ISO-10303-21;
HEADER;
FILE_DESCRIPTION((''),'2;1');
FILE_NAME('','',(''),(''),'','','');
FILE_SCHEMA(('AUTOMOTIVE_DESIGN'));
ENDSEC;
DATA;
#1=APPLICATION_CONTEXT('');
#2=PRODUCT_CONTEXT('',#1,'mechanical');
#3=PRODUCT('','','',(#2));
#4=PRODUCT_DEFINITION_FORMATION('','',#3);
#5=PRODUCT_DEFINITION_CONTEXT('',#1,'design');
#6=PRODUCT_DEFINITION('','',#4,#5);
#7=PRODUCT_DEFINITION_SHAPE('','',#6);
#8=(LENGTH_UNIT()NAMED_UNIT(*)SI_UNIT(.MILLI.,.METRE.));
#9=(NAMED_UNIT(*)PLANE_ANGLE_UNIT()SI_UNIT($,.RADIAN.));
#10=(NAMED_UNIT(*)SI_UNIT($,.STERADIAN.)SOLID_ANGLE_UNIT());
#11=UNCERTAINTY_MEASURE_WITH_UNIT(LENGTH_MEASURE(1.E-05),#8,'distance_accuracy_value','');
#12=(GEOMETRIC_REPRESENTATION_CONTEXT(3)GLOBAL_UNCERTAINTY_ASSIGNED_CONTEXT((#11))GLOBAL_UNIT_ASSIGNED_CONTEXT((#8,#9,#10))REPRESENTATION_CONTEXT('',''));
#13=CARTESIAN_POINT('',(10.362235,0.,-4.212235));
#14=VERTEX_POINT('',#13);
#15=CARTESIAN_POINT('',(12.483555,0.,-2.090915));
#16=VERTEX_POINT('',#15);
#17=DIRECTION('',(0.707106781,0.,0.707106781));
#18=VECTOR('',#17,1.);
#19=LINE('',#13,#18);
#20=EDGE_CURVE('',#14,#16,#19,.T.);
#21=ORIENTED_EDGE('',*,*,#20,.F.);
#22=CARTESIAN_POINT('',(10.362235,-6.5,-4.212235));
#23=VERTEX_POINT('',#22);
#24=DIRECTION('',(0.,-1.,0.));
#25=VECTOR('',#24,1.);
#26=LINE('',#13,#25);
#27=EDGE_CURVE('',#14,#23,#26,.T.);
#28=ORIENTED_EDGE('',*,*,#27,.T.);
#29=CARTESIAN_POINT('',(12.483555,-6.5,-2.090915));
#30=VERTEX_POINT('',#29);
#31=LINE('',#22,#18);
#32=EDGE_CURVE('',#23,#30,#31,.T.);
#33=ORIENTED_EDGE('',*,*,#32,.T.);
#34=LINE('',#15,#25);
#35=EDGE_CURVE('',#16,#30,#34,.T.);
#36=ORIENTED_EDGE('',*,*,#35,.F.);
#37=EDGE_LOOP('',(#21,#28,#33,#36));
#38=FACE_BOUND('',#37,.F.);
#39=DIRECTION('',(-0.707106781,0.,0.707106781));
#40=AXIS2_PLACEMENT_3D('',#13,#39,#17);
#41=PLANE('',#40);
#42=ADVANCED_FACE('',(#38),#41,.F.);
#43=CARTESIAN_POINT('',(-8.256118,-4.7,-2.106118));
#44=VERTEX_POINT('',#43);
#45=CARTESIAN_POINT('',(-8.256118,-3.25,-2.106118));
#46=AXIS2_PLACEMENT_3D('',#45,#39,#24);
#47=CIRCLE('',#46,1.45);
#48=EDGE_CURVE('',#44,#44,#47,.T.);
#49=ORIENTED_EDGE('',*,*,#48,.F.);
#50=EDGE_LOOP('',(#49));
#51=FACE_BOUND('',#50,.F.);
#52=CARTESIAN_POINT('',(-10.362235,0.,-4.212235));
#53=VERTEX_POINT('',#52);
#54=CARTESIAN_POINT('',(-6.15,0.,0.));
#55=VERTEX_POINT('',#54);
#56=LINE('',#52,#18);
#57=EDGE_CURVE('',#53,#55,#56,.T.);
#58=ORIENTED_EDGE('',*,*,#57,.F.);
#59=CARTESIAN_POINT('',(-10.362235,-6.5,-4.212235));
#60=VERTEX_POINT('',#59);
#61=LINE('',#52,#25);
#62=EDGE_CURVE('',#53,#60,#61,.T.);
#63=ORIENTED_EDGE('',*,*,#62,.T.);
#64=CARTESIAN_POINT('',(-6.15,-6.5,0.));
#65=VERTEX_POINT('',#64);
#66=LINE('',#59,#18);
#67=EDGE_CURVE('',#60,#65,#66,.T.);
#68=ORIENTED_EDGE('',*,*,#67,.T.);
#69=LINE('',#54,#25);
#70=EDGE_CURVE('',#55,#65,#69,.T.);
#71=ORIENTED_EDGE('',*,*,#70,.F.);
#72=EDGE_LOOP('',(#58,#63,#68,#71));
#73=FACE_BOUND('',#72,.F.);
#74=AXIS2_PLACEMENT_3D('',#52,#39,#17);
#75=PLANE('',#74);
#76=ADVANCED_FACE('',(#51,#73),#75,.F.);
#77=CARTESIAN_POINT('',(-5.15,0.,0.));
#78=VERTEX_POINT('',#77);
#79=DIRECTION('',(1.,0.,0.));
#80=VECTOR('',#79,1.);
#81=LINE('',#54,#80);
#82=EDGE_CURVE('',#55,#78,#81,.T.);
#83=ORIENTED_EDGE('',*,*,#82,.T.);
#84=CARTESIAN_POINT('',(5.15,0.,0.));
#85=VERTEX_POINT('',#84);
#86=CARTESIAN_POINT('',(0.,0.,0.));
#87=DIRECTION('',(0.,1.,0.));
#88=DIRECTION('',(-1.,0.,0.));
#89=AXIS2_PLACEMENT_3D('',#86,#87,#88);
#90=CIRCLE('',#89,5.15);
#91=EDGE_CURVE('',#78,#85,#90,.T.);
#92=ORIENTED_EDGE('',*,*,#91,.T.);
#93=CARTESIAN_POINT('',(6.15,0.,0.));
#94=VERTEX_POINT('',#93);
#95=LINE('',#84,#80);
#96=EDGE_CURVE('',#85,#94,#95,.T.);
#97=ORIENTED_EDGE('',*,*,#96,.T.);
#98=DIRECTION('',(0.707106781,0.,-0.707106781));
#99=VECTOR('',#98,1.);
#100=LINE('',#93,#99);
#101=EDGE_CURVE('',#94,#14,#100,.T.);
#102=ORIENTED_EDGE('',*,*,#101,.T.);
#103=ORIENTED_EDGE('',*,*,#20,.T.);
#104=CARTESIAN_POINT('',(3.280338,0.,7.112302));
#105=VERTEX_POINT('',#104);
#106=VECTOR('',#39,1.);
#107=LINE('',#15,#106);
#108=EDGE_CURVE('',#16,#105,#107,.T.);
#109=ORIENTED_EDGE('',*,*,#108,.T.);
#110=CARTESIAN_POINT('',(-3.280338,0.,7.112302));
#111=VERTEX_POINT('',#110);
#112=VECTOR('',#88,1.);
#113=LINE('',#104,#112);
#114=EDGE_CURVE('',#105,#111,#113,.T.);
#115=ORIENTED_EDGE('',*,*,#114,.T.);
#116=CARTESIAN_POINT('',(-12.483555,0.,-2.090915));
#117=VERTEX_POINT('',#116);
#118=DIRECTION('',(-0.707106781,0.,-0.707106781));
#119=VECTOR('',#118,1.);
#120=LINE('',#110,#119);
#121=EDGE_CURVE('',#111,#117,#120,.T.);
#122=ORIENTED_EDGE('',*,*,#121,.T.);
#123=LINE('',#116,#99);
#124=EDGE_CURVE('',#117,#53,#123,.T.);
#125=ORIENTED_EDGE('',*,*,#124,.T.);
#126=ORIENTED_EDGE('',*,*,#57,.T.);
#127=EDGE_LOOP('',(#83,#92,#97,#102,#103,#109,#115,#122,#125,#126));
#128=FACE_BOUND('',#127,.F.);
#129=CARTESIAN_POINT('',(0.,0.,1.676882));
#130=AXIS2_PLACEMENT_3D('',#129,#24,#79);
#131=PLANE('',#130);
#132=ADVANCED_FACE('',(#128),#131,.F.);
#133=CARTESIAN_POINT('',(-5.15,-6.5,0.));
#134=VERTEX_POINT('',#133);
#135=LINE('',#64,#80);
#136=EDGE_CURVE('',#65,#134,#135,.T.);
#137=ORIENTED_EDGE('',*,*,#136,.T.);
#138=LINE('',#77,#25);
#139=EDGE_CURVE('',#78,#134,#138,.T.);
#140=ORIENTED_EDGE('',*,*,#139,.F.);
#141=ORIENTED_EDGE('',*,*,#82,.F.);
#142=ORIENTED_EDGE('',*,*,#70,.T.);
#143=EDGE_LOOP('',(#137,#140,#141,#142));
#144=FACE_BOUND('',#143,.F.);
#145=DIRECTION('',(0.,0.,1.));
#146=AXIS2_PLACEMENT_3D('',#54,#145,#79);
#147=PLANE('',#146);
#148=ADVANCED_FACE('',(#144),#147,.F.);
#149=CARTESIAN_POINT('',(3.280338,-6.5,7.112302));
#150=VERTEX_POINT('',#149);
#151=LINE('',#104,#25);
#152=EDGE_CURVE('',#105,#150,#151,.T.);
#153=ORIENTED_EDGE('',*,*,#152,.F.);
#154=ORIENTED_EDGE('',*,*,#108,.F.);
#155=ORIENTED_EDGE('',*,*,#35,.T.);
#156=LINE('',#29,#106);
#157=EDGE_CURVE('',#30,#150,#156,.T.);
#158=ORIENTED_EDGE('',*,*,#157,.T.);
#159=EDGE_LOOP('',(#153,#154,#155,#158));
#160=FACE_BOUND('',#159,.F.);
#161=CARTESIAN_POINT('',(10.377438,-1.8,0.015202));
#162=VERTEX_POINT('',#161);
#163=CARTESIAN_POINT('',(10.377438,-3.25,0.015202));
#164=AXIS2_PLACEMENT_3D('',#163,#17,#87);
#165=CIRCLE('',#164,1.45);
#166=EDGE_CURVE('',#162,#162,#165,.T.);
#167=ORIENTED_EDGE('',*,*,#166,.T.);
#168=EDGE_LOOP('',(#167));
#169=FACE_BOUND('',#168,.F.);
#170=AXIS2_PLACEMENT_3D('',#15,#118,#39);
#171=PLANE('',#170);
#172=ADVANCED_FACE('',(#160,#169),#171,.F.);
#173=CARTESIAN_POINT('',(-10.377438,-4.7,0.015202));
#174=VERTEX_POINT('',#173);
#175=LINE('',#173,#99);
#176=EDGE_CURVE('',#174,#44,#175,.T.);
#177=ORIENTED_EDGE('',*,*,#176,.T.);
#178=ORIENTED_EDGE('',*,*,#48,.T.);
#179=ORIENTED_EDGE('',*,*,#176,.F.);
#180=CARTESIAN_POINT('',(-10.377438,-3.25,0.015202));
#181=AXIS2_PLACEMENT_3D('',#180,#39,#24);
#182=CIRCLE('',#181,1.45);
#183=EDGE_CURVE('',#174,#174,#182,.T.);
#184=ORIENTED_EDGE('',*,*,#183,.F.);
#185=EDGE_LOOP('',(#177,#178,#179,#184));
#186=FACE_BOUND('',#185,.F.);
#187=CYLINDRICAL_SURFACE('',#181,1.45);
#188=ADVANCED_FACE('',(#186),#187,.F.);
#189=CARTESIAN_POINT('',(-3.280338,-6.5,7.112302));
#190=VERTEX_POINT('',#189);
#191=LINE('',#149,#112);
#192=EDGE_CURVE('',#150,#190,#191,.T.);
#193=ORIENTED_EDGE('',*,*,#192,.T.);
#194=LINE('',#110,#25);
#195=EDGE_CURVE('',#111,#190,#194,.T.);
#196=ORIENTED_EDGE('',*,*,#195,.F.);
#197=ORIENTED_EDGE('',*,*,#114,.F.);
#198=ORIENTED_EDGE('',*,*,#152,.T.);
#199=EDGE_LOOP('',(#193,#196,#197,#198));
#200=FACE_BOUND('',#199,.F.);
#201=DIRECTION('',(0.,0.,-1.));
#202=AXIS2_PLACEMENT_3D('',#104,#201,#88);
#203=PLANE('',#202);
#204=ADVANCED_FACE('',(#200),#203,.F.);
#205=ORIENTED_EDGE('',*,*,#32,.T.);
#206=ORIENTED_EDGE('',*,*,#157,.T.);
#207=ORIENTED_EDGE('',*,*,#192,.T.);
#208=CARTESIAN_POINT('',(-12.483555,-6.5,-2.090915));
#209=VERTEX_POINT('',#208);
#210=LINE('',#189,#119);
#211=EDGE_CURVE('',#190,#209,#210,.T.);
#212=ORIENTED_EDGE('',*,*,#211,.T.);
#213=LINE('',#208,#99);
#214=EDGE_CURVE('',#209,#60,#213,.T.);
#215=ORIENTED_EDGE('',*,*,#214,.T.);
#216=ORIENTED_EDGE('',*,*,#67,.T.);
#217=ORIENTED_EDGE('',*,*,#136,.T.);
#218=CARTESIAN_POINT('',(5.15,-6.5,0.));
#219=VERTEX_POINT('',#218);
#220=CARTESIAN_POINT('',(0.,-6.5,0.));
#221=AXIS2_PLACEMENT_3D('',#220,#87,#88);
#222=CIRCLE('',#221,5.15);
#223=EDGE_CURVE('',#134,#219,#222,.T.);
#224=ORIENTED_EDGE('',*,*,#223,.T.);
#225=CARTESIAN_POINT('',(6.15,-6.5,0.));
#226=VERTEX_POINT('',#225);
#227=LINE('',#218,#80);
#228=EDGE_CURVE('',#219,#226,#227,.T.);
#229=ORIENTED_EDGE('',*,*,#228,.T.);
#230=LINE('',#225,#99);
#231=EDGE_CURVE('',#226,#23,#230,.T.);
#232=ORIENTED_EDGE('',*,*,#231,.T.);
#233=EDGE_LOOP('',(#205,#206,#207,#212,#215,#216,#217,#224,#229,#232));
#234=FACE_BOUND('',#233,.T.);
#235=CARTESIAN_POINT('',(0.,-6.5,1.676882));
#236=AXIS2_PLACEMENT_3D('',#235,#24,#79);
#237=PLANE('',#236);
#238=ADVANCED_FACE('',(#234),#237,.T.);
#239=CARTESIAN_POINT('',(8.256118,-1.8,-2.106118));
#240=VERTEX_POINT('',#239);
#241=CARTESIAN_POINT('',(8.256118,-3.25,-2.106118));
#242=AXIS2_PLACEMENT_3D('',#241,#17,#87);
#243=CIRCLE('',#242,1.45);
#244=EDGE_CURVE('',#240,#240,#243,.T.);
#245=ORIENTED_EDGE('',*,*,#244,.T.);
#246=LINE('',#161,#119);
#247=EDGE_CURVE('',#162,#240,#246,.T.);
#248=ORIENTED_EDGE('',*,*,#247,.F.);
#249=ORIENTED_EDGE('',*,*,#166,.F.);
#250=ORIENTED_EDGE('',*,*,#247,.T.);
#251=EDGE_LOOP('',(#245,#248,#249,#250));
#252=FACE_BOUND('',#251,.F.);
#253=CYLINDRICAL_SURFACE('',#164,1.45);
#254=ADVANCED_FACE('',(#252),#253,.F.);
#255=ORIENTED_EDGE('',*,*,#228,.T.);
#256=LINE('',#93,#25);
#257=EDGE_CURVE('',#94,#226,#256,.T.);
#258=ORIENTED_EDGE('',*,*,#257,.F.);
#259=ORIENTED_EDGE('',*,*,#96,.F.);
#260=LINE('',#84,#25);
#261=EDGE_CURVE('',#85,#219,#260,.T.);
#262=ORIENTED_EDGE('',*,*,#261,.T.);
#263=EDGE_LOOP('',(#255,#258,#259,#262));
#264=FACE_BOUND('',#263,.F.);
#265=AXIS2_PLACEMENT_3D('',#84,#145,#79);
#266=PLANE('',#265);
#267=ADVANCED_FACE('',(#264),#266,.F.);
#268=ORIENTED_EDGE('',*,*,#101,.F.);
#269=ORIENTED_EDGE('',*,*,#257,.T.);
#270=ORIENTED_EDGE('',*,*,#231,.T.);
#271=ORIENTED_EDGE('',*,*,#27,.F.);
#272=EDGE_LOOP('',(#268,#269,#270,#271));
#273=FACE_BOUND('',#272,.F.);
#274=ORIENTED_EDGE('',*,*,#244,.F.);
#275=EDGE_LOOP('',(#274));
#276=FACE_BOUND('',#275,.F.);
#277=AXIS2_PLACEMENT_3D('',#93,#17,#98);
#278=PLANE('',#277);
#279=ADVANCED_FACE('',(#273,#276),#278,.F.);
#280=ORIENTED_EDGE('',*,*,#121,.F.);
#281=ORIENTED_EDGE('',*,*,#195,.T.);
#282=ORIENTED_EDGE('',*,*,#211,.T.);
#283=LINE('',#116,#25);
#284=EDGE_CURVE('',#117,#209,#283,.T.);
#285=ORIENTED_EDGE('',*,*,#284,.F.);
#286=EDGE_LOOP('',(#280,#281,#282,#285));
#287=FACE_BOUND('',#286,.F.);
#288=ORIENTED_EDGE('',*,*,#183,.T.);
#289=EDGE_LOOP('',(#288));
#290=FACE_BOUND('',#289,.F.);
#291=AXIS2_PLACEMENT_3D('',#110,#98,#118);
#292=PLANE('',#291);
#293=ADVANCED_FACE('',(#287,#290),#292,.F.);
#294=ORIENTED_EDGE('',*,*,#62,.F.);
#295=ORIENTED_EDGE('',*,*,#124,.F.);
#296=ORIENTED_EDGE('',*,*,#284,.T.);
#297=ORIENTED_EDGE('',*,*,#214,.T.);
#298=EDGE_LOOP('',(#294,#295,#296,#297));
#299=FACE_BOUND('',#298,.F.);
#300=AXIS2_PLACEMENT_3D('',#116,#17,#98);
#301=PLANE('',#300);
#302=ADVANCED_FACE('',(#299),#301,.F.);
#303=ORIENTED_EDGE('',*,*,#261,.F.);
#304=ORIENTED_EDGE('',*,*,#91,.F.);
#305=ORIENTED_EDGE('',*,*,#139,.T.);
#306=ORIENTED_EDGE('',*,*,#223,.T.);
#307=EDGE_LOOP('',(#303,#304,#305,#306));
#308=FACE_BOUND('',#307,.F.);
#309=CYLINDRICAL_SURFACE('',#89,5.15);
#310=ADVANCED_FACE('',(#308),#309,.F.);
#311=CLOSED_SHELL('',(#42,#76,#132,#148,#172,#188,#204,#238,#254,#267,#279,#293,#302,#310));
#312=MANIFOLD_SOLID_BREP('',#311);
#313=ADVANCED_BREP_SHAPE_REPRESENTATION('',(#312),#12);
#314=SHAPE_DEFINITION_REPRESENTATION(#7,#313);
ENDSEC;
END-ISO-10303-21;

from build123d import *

# Parameters (mm, degrees)
F1_DEPTH = 6.5
F2_R     = 1.45
F3_DEPTH = 25
F4_R     = 1.45
F5_DEPTH = 25


with BuildPart() as f1:
    # F0 (on Front) → F1 (new body)
    with BuildSketch(Plane.XZ):
        with BuildLine():
            ThreePointArc((-5.15, 0), (0, 5.15), (5.15, 0))
            Line((5.15, 0), (6.15, 0))
            Line((6.15, 0), (10.362235, -4.212235))
            Line((10.362235, -4.212235), (12.483555, -2.090915))
            Line((12.483555, -2.090915), (3.280338, 7.112302))
            Line((3.280338, 7.112302), (-3.280338, 7.112302))
            Line((-3.280338, 7.112302), (-12.483555, -2.090915))
            Line((-12.483555, -2.090915), (-10.362235, -4.212235))
            Line((-10.362235, -4.212235), (-6.15, 0))
            Line((-6.15, 0), (-5.15, 0))
        make_face()
    extrude(amount=F1_DEPTH)

    # F2 (on face) → F3 (cut)
    with BuildSketch(Plane(origin=(-5.19632, 0, 5.19632), x_dir=(0, -1, 0), z_dir=(-0.707107, 0, 0.707107))):
        with Locations((3.25, -7.327207)):
            Circle(F2_R)
    extrude(amount=-F3_DEPTH, mode=Mode.SUBTRACT)

    # F4 (on face) → F5 (cut)
    with BuildSketch(Plane(origin=(5.19632, 0, 5.19632), x_dir=(0, 1, 0), z_dir=(0.707107, 0, 0.707107))):
        with Locations((-3.25, -7.327207)):
            Circle(F4_R)
    extrude(amount=-F5_DEPTH, mode=Mode.SUBTRACT)


solid = f1.part
